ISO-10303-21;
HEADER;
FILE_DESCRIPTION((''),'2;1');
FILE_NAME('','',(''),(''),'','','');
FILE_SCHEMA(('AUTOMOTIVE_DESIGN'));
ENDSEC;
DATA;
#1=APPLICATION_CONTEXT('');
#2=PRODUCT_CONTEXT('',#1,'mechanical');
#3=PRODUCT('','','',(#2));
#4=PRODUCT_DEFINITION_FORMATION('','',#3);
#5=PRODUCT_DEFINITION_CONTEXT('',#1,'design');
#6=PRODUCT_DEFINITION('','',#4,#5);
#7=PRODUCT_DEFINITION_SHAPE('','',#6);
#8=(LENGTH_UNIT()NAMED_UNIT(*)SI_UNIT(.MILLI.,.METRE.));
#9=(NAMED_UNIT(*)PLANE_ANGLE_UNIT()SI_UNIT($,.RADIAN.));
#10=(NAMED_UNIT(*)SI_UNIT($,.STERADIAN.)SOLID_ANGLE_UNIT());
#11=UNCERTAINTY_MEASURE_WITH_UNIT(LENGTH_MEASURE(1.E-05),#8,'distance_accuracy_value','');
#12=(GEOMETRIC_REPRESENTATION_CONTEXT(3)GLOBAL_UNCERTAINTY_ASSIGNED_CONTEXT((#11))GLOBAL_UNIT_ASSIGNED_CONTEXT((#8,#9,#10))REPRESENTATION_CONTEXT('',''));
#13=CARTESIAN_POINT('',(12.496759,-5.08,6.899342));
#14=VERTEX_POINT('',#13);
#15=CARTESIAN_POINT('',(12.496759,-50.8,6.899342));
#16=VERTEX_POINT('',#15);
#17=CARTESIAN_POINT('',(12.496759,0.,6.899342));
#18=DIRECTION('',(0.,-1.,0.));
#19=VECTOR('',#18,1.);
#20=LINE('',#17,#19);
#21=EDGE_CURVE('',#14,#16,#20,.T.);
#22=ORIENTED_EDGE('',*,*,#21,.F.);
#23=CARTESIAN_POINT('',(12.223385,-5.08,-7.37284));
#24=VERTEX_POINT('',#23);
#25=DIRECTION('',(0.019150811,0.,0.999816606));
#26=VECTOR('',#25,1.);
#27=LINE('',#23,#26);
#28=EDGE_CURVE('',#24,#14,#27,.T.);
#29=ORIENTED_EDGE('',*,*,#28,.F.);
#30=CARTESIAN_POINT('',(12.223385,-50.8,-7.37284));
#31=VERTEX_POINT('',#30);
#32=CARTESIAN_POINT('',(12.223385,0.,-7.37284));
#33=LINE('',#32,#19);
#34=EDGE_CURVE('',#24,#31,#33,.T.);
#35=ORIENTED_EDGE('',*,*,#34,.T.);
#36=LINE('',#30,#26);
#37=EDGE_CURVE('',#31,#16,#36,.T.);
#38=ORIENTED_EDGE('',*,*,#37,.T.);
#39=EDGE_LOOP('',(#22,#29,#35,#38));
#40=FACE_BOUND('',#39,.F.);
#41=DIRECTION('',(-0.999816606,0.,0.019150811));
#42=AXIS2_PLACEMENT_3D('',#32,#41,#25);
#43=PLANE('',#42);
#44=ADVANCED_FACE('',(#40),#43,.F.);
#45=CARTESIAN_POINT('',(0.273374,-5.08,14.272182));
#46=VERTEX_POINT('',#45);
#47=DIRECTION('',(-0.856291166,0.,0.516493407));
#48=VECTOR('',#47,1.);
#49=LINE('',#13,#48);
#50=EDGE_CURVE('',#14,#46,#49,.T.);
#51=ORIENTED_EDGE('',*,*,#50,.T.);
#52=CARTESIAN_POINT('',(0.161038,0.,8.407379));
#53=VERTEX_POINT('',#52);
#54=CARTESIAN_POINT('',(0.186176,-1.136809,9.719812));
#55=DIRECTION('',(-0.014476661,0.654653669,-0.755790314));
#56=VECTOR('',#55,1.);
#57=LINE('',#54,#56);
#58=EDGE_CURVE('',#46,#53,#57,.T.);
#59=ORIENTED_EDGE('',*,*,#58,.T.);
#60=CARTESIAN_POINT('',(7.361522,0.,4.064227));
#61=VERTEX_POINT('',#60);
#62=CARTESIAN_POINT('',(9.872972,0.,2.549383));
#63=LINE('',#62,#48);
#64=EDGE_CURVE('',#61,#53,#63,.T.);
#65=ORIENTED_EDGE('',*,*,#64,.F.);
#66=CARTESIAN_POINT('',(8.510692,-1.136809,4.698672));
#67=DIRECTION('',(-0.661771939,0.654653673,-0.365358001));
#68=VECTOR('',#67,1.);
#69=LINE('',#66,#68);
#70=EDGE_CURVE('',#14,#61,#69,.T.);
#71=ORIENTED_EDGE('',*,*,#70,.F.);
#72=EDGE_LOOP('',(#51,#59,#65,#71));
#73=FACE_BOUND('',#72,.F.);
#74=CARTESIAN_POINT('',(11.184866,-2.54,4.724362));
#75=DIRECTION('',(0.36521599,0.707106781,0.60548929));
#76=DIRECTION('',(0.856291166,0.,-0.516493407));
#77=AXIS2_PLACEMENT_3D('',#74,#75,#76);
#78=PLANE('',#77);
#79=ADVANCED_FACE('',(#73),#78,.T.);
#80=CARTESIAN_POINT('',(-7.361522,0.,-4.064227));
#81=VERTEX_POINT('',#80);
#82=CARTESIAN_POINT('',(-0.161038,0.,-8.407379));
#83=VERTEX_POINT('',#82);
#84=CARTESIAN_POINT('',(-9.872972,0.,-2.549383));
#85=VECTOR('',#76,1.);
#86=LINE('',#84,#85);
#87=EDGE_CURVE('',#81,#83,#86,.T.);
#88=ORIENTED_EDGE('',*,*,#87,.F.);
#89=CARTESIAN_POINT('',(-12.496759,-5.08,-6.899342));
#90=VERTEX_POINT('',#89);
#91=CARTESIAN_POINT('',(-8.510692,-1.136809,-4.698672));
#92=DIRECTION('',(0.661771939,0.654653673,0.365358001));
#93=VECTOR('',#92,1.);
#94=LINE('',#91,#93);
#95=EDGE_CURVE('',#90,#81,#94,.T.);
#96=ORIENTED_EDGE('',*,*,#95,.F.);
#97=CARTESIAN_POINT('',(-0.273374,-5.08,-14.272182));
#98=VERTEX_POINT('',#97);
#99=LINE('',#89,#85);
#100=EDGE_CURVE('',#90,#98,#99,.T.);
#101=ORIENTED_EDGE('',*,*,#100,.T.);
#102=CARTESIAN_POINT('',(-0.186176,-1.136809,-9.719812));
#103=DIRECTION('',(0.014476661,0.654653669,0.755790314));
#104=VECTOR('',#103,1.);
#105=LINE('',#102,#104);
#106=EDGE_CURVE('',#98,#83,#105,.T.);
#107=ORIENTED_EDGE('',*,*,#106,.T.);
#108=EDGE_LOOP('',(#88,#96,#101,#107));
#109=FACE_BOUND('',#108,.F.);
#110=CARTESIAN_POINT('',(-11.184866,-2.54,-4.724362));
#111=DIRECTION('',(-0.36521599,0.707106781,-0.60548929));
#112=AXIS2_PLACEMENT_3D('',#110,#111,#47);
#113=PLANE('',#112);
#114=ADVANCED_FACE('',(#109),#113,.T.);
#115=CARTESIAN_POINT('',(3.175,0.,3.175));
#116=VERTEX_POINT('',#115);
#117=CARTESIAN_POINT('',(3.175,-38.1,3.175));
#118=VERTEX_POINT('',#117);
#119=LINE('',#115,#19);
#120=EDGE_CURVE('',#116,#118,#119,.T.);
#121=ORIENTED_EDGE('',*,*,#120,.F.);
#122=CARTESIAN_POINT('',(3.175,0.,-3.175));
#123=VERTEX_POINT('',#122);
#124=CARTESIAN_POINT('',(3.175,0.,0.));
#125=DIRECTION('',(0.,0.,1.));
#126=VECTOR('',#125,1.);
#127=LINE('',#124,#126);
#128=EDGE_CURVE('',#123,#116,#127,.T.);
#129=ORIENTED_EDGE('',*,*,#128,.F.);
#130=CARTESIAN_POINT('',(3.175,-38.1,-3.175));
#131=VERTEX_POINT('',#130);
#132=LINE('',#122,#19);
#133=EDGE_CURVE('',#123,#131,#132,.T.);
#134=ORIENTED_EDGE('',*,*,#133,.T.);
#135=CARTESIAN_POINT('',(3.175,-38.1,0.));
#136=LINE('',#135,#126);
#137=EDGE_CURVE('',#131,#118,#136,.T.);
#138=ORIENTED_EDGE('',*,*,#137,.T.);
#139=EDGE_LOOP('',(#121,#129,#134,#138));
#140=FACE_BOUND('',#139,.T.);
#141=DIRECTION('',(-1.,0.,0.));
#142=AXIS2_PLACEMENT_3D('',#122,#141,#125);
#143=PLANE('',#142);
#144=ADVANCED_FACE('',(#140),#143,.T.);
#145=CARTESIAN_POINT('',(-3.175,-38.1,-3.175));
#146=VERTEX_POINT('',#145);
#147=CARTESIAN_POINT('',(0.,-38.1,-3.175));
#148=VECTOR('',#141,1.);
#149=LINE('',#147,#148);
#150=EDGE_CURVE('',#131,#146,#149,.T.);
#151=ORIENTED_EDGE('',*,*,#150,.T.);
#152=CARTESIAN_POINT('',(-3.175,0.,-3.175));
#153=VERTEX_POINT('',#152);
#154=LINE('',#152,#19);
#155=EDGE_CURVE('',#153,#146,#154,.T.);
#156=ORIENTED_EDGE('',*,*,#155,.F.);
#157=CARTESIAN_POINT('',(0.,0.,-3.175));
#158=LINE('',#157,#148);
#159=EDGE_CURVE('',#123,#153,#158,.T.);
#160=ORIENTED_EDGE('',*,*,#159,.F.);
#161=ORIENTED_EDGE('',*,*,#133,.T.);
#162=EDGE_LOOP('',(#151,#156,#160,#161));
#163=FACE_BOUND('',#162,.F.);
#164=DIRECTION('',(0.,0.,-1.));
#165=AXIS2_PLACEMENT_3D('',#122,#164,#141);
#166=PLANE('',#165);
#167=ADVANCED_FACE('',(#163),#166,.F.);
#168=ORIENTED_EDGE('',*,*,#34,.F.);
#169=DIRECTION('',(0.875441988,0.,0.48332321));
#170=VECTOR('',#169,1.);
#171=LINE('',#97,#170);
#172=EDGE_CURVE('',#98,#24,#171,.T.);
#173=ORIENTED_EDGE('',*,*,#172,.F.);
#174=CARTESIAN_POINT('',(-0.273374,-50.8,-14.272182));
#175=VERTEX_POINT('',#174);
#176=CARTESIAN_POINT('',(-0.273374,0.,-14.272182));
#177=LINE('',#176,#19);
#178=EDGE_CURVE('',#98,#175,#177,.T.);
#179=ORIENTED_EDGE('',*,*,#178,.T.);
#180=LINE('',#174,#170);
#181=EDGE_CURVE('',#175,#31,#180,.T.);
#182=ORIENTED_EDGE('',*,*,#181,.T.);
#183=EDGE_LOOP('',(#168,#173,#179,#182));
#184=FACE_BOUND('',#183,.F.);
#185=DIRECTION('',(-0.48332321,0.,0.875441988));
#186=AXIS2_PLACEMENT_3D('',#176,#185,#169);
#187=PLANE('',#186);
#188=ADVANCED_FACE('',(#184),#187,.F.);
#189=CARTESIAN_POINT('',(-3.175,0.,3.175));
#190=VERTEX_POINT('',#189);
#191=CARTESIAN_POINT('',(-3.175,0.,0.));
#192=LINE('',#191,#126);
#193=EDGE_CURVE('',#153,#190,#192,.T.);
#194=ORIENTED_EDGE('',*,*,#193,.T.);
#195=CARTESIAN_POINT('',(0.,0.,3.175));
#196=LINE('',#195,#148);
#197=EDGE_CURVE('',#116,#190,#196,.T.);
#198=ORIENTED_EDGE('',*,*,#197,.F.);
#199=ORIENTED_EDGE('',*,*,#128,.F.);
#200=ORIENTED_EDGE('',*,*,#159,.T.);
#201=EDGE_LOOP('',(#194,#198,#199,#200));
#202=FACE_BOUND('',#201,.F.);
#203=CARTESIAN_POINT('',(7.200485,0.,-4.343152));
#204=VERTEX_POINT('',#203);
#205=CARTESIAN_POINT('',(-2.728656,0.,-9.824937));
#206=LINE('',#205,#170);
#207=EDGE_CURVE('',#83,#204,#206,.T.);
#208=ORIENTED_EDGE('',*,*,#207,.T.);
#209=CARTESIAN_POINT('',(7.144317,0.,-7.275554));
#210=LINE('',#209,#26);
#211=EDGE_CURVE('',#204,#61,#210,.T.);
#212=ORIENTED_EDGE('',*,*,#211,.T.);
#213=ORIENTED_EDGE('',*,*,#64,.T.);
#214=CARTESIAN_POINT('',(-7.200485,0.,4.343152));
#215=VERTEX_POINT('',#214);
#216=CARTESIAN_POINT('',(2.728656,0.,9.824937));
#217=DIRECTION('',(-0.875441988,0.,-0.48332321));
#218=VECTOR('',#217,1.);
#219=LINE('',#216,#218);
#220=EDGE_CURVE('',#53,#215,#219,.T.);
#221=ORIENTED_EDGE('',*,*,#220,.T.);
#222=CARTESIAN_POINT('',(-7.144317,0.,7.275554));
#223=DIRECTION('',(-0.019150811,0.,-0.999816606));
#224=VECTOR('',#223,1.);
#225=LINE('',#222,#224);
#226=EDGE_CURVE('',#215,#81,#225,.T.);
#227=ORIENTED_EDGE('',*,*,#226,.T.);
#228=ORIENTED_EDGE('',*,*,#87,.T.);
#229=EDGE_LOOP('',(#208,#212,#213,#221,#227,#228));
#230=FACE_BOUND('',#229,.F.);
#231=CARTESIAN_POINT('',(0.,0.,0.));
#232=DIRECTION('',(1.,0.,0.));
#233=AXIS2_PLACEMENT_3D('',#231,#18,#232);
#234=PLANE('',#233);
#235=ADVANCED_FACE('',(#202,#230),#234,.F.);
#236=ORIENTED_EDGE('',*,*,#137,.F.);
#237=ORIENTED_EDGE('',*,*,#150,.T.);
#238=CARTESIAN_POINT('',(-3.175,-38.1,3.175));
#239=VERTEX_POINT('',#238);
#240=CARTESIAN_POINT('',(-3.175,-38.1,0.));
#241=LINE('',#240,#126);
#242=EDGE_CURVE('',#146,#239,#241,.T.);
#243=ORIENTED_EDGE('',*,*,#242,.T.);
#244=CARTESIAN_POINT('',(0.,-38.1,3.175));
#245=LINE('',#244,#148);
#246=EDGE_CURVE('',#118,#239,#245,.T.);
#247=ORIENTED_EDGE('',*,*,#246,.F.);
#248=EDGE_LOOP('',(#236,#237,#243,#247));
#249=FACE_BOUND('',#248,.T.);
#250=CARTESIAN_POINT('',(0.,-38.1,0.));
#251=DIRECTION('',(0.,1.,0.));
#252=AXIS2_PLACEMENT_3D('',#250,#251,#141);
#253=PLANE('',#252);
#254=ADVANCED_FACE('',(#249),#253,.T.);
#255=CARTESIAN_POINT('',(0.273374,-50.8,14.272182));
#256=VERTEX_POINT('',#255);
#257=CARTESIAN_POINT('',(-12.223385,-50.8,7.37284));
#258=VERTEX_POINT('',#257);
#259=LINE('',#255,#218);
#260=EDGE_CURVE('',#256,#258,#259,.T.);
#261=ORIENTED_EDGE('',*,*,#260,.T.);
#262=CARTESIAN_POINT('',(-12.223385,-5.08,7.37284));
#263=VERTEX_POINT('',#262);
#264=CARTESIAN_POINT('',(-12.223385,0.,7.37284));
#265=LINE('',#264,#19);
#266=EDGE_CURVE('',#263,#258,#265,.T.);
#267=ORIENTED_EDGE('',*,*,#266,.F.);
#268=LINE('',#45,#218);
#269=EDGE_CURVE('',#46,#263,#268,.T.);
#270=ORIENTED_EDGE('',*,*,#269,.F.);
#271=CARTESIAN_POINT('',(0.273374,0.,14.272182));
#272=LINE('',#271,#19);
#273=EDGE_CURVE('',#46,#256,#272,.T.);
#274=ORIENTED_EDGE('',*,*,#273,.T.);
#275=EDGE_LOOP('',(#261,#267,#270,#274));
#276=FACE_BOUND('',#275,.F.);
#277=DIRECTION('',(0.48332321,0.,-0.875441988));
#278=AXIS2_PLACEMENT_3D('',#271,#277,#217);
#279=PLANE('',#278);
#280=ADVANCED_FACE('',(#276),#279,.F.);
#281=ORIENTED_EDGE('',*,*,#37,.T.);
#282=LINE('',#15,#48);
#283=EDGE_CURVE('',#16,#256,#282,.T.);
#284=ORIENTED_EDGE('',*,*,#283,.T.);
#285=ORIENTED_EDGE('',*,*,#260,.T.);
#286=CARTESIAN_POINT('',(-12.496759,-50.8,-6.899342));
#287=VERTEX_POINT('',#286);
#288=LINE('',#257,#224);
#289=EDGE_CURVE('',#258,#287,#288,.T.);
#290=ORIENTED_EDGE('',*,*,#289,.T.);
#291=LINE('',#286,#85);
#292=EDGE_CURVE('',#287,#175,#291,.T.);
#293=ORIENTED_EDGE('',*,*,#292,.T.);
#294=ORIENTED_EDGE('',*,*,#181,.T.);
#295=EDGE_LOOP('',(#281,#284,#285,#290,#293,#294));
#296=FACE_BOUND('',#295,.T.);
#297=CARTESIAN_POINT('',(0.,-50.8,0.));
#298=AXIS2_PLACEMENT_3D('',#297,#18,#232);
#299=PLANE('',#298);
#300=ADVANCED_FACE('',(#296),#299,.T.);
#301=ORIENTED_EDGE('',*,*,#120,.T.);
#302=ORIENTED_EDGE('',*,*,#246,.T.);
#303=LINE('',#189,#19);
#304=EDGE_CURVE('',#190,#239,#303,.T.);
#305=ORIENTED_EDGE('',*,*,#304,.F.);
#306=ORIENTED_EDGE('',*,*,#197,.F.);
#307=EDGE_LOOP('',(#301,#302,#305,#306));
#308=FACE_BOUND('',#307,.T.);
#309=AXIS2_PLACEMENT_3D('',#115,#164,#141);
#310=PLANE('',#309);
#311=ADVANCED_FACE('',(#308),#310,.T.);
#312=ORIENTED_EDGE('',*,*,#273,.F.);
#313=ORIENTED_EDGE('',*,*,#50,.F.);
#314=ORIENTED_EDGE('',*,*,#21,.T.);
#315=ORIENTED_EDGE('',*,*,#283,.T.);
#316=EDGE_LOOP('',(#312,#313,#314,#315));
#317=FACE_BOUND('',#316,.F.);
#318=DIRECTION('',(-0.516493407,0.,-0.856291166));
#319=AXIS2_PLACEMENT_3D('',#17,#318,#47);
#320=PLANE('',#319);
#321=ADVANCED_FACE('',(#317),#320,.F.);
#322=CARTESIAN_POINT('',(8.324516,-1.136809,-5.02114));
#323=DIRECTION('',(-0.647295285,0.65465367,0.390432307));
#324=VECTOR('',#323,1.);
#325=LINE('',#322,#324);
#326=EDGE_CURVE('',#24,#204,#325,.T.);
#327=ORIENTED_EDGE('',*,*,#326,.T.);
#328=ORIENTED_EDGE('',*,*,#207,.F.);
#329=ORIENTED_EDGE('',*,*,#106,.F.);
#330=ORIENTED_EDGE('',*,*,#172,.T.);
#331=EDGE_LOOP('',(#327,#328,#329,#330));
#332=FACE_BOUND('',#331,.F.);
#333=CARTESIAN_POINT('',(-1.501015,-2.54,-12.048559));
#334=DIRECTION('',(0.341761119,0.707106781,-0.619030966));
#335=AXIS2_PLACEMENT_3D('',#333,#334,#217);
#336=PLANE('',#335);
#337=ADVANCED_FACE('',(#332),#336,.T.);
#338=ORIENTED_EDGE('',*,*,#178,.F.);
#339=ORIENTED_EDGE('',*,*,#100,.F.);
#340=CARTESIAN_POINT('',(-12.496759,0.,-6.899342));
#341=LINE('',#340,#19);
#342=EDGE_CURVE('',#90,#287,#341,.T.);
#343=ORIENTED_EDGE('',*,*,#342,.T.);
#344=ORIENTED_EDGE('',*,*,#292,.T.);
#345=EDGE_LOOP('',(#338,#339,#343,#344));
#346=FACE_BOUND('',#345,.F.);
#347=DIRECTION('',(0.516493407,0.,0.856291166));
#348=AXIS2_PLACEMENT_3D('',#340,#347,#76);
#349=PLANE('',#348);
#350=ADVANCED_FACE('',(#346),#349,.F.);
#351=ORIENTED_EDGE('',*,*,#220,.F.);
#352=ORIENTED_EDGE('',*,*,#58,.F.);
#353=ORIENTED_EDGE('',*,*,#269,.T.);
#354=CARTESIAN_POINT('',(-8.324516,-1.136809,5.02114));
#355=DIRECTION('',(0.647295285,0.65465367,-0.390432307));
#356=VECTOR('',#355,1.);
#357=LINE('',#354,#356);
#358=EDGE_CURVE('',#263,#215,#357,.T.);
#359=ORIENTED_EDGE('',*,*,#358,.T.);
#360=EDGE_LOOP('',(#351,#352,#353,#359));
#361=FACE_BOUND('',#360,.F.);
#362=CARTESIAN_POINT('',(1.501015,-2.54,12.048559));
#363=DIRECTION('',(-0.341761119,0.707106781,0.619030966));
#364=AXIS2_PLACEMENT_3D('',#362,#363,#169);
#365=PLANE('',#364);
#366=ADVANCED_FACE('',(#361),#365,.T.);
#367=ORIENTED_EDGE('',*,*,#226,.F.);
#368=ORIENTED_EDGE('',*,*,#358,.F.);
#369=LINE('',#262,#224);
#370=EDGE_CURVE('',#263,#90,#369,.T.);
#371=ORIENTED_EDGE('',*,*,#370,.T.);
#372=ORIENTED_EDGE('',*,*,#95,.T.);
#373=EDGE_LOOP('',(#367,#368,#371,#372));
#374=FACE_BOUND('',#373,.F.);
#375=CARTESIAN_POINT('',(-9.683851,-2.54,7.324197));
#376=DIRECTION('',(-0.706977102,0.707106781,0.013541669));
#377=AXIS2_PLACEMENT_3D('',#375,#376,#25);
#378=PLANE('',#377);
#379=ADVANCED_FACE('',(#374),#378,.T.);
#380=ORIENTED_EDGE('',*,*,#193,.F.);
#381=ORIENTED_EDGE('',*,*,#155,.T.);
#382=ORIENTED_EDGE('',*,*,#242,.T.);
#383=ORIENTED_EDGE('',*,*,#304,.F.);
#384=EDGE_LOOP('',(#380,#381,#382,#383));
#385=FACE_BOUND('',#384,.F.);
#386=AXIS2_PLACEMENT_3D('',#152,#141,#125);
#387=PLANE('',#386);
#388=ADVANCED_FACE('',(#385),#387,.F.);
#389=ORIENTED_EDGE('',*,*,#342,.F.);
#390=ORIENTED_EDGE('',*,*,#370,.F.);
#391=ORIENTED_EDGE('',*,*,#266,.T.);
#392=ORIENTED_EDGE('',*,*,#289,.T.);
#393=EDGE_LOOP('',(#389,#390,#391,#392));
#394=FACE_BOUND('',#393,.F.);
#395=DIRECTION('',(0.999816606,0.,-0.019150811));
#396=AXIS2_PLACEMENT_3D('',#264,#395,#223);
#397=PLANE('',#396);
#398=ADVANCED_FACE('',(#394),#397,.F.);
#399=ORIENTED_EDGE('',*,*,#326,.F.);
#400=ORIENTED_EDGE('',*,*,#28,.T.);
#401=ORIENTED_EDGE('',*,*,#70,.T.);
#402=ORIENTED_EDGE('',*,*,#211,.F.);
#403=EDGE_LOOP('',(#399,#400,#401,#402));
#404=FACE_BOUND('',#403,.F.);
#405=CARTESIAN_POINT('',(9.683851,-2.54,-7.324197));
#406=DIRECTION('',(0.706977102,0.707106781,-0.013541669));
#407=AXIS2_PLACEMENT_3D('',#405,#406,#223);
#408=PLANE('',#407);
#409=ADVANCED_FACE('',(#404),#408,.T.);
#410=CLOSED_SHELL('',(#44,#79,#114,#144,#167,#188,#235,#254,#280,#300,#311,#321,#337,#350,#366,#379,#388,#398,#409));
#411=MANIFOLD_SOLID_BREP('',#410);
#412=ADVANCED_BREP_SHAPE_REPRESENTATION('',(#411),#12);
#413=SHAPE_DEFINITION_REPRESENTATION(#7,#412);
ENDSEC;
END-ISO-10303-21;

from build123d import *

# Parameters (mm, degrees)
F1_DEPTH = 50.8
F2_SIZE  = 5.08
F3_W     = 6.35
F3_H     = 6.35
F4_DEPTH = 38.1


with BuildPart() as f1:
    # F0 (on Front) → F1 (new body)
    with BuildSketch(Plane.XZ):
        Polygon((12.496759, 6.899342), (0.273374, 14.272182), (-12.223385, 7.37284), (-12.496759, -6.899342), (-0.273374, -14.272182), (12.223385, -7.37284), align=None)
    extrude(amount=F1_DEPTH)

    # F2
    f2_edges = [f1.edges().sort_by_distance(p)[0] for p in [
        (6.385067, 0, 10.585762),
        (12.360072, 0, -0.236749),
        (5.975005, 0, -10.822511),
        (-6.385067, 0, -10.585762),
        (-12.360072, 0, 0.236749),
        (-5.975005, 0, 10.822511),
    ]]
    chamfer(f2_edges, length=F2_SIZE)

    # F3 (on face) → F4 (cut)
    with BuildSketch(Plane(origin=(0, 0, 0), x_dir=(-1, 0, 0), z_dir=(0, 1, 0))):
        Rectangle(F3_W, F3_H)
    extrude(amount=-F4_DEPTH, mode=Mode.SUBTRACT)


solid = f1.part
